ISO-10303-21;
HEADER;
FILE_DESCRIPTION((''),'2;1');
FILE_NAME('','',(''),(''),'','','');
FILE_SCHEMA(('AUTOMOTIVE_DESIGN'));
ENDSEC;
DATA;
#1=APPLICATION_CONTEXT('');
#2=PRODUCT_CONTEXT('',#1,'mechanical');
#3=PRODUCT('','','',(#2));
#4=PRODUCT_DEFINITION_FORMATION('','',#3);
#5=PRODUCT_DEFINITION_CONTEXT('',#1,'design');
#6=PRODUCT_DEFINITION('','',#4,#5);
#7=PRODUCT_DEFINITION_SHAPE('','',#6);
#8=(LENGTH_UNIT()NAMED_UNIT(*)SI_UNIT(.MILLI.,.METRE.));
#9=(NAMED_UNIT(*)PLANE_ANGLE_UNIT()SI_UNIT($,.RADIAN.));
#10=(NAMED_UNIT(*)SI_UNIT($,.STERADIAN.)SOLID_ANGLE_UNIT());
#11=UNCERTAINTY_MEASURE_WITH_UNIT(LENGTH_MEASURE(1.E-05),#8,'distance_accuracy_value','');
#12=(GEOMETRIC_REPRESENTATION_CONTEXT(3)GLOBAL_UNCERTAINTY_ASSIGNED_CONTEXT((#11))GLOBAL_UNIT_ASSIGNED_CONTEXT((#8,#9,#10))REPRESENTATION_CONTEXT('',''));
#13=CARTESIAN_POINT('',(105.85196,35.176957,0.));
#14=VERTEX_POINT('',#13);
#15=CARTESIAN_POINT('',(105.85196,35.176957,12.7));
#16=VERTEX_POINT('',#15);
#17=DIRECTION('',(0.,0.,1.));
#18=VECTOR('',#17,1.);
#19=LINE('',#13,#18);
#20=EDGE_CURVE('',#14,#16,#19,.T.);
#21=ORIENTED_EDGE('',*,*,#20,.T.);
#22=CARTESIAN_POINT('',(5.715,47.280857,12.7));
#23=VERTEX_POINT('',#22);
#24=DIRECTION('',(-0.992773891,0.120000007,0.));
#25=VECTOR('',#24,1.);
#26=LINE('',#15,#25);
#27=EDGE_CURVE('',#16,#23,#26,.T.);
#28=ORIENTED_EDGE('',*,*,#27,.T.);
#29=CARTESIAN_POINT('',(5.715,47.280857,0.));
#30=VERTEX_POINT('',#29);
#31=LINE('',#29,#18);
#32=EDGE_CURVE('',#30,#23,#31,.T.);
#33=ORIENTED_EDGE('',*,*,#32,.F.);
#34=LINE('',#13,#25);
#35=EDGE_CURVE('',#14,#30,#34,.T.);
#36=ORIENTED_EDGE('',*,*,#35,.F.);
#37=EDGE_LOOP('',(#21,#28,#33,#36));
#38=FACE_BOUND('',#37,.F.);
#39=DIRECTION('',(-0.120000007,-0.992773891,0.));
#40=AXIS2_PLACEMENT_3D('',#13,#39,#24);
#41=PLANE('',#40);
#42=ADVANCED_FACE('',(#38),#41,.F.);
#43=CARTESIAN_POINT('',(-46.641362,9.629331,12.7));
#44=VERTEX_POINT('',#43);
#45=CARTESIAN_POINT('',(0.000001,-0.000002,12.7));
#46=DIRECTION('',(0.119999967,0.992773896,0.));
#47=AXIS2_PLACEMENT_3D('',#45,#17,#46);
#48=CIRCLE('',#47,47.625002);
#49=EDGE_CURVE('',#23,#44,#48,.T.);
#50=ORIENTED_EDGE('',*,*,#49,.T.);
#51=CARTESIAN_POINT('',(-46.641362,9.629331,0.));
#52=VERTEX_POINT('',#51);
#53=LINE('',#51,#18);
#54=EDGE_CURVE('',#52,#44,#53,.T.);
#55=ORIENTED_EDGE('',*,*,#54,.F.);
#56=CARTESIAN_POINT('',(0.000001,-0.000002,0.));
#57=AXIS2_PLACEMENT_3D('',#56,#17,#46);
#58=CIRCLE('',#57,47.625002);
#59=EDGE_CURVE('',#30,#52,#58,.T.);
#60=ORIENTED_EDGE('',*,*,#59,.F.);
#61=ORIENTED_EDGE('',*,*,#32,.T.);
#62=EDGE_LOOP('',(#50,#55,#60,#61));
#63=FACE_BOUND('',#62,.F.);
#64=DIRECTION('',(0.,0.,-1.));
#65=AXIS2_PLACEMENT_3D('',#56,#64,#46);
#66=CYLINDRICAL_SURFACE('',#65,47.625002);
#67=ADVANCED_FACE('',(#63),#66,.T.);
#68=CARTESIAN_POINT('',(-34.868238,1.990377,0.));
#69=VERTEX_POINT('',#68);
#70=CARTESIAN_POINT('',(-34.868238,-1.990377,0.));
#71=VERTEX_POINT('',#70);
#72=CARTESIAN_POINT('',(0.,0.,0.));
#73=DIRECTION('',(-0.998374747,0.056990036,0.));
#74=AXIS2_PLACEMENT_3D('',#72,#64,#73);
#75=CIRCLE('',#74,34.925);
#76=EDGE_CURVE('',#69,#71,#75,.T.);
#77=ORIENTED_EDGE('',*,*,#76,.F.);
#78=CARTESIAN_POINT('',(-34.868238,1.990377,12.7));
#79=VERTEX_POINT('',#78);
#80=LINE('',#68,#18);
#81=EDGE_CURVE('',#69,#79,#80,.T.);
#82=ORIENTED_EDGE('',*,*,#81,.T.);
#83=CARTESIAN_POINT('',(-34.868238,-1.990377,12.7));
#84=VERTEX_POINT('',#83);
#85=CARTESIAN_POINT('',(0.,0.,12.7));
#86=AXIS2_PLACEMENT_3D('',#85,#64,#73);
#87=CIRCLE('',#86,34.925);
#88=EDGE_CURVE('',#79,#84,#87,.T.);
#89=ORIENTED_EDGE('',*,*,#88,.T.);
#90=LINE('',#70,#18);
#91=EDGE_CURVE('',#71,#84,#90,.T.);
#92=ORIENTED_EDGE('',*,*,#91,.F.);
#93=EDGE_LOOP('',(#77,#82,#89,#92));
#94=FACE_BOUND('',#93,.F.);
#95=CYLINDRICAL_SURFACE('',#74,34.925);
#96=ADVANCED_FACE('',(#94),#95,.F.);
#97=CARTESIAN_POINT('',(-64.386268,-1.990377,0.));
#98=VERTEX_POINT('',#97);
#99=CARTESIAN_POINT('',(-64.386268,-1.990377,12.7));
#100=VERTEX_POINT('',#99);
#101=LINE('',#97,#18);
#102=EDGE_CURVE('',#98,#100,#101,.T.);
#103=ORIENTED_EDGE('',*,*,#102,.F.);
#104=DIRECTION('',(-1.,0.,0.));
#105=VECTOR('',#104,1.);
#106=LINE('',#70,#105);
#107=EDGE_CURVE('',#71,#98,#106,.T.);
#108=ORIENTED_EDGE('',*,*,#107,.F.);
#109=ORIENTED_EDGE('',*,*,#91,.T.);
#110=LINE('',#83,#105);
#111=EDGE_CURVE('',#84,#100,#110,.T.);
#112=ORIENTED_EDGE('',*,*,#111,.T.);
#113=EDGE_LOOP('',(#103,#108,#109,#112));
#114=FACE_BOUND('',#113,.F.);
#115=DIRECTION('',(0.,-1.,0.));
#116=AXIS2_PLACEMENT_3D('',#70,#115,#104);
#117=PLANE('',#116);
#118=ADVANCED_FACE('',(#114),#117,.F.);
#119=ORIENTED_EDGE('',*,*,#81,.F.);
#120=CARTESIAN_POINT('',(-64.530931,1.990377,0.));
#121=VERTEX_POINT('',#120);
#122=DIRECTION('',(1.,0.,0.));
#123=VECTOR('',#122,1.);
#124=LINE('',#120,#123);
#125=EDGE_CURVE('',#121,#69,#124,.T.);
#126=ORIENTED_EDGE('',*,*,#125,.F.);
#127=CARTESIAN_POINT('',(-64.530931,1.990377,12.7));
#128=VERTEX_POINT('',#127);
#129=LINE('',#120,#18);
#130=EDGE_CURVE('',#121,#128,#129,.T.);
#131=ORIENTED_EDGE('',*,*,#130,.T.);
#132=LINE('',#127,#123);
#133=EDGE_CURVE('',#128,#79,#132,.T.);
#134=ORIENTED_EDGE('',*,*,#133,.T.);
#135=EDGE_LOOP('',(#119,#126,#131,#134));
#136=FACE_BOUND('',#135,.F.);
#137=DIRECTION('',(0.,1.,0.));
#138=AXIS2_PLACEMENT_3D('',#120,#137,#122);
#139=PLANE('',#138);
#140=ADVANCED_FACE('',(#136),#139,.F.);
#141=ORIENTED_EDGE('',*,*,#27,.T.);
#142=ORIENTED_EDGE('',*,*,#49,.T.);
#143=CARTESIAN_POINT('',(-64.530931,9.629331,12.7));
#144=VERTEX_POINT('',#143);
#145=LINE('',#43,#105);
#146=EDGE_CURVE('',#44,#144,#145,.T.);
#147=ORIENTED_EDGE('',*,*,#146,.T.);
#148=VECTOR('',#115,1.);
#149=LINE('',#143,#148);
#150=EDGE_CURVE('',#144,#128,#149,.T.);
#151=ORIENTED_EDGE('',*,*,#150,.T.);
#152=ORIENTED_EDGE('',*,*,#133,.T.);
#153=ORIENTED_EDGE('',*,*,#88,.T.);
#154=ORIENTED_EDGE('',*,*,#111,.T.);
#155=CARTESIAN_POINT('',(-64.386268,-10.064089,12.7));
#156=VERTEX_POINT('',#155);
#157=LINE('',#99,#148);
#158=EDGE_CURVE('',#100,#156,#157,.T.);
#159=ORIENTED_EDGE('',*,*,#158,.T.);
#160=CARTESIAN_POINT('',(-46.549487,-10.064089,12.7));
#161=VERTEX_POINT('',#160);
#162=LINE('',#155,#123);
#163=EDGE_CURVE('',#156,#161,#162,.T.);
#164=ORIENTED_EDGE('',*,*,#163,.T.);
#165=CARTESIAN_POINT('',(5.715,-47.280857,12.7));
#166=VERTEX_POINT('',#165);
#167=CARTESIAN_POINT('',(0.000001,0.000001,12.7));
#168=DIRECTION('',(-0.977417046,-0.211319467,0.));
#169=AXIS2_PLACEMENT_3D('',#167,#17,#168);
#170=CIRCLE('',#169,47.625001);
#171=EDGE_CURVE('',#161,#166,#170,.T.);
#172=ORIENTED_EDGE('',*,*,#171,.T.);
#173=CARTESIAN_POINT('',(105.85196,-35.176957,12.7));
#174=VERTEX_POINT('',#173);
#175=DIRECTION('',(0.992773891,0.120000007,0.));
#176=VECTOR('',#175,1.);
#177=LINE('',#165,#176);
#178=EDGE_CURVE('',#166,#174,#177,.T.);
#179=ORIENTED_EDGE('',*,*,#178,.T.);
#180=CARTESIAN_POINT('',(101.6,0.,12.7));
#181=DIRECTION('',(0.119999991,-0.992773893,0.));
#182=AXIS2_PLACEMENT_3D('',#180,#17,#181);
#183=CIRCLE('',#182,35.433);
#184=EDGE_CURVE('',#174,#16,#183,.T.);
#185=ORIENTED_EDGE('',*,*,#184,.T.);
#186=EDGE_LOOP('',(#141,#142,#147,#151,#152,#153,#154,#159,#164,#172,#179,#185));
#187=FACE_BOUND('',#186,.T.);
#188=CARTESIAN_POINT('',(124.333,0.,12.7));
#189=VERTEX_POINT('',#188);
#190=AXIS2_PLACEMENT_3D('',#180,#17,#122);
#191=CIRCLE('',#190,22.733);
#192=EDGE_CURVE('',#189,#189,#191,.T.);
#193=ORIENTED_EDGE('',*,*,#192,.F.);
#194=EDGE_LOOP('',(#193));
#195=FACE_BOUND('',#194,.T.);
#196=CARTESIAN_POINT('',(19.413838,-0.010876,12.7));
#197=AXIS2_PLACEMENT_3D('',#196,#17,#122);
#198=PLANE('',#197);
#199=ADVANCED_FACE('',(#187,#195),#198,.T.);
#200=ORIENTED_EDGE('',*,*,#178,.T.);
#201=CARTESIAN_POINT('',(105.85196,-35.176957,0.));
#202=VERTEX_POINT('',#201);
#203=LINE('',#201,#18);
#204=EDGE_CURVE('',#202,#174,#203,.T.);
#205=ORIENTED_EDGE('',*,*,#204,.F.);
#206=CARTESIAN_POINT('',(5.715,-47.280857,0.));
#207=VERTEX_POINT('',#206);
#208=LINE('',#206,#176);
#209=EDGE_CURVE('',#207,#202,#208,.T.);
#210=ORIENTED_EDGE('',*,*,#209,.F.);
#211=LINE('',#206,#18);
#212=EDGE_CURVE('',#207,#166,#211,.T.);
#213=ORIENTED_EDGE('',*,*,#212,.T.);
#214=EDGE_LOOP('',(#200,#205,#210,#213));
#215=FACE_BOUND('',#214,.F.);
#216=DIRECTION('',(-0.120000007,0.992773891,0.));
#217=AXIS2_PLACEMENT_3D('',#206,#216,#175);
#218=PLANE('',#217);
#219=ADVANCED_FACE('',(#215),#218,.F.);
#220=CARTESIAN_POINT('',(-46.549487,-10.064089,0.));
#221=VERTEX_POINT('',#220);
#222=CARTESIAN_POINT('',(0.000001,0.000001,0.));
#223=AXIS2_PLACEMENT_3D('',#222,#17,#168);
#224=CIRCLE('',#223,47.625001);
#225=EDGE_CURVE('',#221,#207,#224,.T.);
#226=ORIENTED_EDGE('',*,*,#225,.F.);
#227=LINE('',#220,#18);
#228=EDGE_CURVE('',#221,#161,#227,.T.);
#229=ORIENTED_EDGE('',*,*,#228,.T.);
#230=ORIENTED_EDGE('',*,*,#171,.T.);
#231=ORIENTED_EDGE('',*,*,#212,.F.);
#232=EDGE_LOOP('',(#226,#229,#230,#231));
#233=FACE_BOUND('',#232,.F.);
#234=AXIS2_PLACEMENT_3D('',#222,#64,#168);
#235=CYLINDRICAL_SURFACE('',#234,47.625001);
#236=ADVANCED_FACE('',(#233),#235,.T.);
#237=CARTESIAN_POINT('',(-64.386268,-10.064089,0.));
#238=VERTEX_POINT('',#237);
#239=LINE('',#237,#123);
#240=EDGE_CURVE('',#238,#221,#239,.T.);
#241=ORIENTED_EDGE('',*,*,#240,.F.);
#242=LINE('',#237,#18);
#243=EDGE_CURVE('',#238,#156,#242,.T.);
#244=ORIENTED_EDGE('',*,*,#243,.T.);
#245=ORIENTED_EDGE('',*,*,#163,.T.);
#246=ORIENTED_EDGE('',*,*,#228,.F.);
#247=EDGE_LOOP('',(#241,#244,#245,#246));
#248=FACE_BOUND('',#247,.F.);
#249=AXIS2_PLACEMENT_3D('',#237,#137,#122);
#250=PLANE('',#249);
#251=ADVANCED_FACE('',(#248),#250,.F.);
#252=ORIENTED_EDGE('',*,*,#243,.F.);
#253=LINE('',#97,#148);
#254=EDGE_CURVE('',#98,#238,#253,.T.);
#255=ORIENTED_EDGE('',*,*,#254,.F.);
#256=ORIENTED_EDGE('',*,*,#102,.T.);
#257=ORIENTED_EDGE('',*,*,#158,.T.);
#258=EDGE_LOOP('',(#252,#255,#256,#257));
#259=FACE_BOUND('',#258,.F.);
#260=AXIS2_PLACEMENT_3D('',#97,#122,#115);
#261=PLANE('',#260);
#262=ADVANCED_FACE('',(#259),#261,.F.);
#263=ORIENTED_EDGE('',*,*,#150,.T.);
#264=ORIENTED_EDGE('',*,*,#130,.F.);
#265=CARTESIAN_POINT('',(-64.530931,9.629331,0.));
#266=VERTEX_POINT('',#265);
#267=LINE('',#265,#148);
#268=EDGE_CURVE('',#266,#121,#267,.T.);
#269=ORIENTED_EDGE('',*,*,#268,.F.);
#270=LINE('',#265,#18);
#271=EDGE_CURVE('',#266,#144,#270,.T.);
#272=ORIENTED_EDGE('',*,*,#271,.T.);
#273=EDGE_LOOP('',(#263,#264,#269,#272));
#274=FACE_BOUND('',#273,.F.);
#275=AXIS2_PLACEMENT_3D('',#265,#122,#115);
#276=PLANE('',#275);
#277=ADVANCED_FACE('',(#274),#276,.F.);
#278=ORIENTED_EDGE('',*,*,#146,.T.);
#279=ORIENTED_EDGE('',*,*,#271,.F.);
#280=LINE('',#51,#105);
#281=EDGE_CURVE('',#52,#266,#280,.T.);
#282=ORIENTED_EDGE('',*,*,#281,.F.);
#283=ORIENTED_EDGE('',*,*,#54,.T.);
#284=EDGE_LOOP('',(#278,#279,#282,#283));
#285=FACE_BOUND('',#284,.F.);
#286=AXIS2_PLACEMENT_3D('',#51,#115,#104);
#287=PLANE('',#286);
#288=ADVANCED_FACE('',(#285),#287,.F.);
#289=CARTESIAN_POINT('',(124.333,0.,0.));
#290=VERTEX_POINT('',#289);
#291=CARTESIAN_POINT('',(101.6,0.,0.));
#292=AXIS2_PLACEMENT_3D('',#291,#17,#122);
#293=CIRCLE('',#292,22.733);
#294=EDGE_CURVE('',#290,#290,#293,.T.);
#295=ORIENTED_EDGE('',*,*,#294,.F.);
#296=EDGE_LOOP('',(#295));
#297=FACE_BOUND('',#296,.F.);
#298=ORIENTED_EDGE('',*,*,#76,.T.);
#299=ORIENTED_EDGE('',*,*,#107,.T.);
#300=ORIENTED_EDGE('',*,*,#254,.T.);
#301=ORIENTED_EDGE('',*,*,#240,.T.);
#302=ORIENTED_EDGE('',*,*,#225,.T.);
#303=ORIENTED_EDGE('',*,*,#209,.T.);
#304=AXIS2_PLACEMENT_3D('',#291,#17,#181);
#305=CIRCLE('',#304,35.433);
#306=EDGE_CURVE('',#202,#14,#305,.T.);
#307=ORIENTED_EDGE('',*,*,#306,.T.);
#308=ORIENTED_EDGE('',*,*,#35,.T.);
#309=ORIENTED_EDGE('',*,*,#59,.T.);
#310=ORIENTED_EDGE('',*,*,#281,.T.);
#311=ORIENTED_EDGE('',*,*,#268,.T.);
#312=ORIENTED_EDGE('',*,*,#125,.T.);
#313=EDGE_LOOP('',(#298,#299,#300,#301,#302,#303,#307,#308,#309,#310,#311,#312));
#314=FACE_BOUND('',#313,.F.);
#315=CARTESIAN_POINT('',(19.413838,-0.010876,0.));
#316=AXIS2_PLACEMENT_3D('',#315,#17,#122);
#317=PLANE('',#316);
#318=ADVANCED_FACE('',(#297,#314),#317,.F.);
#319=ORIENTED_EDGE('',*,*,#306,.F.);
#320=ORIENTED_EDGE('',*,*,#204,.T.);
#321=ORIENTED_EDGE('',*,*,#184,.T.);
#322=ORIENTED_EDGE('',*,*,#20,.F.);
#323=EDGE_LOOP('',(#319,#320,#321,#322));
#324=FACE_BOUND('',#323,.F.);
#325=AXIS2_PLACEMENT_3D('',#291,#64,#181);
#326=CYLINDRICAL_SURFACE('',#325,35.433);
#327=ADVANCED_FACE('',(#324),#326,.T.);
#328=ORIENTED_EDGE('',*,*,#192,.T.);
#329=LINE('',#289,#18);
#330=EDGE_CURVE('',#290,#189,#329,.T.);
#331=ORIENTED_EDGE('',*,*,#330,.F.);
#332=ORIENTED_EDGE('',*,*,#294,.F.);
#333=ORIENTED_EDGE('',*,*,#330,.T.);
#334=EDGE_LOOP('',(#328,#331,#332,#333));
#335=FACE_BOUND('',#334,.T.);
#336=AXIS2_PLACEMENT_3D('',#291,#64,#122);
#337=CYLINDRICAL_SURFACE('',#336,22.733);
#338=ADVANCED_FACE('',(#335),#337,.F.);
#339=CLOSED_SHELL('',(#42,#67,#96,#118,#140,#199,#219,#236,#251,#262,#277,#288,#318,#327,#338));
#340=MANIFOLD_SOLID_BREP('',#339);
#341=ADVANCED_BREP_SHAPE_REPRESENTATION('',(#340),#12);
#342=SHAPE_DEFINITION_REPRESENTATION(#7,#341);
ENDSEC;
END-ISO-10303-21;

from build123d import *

# Parameters (mm, degrees)
F0_R     = 22.733
F1_DEPTH = 12.7


with BuildPart() as f1:
    # F0 (on Top) → F1 (new body)
    with BuildSketch(Plane.XY):
        with BuildLine():
            Line((105.85196, 35.176957), (5.715, 47.280857))
            ThreePointArc((5.715, 47.280857), (-27.805595, 38.665094), (-46.641362, 9.629331))
            Line((-46.641362, 9.629331), (-64.530931, 9.629331))
            Line((-64.530931, 9.629331), (-64.530931, 1.990377))
            Line((-64.530931, 1.990377), (-47.58339, 1.990377))
            Line((-47.58339, 1.990377), (-34.868238, 1.990377))
            ThreePointArc((-34.868238, 1.990377), (34.925, 0), (-34.868238, -1.990377))
            Line((-34.868238, -1.990377), (-47.58339, -1.990377))
            Line((-47.58339, -1.990377), (-64.386268, -1.990377))
            Line((-64.386268, -1.990377), (-64.386268, -10.064089))
            Line((-64.386268, -10.064089), (-46.549487, -10.064089))
            ThreePointArc((-46.549487, -10.064089), (-27.624912, -38.794392), (5.715, -47.280857))
            Line((5.715, -47.280857), (105.85196, -35.176957))
            ThreePointArc((105.85196, -35.176957), (137.033, 0), (105.85196, 35.176957))
        make_face()
        with Locations((101.6, 0)):
            Circle(F0_R, mode=Mode.SUBTRACT)
    extrude(amount=F1_DEPTH)


solid = f1.part
